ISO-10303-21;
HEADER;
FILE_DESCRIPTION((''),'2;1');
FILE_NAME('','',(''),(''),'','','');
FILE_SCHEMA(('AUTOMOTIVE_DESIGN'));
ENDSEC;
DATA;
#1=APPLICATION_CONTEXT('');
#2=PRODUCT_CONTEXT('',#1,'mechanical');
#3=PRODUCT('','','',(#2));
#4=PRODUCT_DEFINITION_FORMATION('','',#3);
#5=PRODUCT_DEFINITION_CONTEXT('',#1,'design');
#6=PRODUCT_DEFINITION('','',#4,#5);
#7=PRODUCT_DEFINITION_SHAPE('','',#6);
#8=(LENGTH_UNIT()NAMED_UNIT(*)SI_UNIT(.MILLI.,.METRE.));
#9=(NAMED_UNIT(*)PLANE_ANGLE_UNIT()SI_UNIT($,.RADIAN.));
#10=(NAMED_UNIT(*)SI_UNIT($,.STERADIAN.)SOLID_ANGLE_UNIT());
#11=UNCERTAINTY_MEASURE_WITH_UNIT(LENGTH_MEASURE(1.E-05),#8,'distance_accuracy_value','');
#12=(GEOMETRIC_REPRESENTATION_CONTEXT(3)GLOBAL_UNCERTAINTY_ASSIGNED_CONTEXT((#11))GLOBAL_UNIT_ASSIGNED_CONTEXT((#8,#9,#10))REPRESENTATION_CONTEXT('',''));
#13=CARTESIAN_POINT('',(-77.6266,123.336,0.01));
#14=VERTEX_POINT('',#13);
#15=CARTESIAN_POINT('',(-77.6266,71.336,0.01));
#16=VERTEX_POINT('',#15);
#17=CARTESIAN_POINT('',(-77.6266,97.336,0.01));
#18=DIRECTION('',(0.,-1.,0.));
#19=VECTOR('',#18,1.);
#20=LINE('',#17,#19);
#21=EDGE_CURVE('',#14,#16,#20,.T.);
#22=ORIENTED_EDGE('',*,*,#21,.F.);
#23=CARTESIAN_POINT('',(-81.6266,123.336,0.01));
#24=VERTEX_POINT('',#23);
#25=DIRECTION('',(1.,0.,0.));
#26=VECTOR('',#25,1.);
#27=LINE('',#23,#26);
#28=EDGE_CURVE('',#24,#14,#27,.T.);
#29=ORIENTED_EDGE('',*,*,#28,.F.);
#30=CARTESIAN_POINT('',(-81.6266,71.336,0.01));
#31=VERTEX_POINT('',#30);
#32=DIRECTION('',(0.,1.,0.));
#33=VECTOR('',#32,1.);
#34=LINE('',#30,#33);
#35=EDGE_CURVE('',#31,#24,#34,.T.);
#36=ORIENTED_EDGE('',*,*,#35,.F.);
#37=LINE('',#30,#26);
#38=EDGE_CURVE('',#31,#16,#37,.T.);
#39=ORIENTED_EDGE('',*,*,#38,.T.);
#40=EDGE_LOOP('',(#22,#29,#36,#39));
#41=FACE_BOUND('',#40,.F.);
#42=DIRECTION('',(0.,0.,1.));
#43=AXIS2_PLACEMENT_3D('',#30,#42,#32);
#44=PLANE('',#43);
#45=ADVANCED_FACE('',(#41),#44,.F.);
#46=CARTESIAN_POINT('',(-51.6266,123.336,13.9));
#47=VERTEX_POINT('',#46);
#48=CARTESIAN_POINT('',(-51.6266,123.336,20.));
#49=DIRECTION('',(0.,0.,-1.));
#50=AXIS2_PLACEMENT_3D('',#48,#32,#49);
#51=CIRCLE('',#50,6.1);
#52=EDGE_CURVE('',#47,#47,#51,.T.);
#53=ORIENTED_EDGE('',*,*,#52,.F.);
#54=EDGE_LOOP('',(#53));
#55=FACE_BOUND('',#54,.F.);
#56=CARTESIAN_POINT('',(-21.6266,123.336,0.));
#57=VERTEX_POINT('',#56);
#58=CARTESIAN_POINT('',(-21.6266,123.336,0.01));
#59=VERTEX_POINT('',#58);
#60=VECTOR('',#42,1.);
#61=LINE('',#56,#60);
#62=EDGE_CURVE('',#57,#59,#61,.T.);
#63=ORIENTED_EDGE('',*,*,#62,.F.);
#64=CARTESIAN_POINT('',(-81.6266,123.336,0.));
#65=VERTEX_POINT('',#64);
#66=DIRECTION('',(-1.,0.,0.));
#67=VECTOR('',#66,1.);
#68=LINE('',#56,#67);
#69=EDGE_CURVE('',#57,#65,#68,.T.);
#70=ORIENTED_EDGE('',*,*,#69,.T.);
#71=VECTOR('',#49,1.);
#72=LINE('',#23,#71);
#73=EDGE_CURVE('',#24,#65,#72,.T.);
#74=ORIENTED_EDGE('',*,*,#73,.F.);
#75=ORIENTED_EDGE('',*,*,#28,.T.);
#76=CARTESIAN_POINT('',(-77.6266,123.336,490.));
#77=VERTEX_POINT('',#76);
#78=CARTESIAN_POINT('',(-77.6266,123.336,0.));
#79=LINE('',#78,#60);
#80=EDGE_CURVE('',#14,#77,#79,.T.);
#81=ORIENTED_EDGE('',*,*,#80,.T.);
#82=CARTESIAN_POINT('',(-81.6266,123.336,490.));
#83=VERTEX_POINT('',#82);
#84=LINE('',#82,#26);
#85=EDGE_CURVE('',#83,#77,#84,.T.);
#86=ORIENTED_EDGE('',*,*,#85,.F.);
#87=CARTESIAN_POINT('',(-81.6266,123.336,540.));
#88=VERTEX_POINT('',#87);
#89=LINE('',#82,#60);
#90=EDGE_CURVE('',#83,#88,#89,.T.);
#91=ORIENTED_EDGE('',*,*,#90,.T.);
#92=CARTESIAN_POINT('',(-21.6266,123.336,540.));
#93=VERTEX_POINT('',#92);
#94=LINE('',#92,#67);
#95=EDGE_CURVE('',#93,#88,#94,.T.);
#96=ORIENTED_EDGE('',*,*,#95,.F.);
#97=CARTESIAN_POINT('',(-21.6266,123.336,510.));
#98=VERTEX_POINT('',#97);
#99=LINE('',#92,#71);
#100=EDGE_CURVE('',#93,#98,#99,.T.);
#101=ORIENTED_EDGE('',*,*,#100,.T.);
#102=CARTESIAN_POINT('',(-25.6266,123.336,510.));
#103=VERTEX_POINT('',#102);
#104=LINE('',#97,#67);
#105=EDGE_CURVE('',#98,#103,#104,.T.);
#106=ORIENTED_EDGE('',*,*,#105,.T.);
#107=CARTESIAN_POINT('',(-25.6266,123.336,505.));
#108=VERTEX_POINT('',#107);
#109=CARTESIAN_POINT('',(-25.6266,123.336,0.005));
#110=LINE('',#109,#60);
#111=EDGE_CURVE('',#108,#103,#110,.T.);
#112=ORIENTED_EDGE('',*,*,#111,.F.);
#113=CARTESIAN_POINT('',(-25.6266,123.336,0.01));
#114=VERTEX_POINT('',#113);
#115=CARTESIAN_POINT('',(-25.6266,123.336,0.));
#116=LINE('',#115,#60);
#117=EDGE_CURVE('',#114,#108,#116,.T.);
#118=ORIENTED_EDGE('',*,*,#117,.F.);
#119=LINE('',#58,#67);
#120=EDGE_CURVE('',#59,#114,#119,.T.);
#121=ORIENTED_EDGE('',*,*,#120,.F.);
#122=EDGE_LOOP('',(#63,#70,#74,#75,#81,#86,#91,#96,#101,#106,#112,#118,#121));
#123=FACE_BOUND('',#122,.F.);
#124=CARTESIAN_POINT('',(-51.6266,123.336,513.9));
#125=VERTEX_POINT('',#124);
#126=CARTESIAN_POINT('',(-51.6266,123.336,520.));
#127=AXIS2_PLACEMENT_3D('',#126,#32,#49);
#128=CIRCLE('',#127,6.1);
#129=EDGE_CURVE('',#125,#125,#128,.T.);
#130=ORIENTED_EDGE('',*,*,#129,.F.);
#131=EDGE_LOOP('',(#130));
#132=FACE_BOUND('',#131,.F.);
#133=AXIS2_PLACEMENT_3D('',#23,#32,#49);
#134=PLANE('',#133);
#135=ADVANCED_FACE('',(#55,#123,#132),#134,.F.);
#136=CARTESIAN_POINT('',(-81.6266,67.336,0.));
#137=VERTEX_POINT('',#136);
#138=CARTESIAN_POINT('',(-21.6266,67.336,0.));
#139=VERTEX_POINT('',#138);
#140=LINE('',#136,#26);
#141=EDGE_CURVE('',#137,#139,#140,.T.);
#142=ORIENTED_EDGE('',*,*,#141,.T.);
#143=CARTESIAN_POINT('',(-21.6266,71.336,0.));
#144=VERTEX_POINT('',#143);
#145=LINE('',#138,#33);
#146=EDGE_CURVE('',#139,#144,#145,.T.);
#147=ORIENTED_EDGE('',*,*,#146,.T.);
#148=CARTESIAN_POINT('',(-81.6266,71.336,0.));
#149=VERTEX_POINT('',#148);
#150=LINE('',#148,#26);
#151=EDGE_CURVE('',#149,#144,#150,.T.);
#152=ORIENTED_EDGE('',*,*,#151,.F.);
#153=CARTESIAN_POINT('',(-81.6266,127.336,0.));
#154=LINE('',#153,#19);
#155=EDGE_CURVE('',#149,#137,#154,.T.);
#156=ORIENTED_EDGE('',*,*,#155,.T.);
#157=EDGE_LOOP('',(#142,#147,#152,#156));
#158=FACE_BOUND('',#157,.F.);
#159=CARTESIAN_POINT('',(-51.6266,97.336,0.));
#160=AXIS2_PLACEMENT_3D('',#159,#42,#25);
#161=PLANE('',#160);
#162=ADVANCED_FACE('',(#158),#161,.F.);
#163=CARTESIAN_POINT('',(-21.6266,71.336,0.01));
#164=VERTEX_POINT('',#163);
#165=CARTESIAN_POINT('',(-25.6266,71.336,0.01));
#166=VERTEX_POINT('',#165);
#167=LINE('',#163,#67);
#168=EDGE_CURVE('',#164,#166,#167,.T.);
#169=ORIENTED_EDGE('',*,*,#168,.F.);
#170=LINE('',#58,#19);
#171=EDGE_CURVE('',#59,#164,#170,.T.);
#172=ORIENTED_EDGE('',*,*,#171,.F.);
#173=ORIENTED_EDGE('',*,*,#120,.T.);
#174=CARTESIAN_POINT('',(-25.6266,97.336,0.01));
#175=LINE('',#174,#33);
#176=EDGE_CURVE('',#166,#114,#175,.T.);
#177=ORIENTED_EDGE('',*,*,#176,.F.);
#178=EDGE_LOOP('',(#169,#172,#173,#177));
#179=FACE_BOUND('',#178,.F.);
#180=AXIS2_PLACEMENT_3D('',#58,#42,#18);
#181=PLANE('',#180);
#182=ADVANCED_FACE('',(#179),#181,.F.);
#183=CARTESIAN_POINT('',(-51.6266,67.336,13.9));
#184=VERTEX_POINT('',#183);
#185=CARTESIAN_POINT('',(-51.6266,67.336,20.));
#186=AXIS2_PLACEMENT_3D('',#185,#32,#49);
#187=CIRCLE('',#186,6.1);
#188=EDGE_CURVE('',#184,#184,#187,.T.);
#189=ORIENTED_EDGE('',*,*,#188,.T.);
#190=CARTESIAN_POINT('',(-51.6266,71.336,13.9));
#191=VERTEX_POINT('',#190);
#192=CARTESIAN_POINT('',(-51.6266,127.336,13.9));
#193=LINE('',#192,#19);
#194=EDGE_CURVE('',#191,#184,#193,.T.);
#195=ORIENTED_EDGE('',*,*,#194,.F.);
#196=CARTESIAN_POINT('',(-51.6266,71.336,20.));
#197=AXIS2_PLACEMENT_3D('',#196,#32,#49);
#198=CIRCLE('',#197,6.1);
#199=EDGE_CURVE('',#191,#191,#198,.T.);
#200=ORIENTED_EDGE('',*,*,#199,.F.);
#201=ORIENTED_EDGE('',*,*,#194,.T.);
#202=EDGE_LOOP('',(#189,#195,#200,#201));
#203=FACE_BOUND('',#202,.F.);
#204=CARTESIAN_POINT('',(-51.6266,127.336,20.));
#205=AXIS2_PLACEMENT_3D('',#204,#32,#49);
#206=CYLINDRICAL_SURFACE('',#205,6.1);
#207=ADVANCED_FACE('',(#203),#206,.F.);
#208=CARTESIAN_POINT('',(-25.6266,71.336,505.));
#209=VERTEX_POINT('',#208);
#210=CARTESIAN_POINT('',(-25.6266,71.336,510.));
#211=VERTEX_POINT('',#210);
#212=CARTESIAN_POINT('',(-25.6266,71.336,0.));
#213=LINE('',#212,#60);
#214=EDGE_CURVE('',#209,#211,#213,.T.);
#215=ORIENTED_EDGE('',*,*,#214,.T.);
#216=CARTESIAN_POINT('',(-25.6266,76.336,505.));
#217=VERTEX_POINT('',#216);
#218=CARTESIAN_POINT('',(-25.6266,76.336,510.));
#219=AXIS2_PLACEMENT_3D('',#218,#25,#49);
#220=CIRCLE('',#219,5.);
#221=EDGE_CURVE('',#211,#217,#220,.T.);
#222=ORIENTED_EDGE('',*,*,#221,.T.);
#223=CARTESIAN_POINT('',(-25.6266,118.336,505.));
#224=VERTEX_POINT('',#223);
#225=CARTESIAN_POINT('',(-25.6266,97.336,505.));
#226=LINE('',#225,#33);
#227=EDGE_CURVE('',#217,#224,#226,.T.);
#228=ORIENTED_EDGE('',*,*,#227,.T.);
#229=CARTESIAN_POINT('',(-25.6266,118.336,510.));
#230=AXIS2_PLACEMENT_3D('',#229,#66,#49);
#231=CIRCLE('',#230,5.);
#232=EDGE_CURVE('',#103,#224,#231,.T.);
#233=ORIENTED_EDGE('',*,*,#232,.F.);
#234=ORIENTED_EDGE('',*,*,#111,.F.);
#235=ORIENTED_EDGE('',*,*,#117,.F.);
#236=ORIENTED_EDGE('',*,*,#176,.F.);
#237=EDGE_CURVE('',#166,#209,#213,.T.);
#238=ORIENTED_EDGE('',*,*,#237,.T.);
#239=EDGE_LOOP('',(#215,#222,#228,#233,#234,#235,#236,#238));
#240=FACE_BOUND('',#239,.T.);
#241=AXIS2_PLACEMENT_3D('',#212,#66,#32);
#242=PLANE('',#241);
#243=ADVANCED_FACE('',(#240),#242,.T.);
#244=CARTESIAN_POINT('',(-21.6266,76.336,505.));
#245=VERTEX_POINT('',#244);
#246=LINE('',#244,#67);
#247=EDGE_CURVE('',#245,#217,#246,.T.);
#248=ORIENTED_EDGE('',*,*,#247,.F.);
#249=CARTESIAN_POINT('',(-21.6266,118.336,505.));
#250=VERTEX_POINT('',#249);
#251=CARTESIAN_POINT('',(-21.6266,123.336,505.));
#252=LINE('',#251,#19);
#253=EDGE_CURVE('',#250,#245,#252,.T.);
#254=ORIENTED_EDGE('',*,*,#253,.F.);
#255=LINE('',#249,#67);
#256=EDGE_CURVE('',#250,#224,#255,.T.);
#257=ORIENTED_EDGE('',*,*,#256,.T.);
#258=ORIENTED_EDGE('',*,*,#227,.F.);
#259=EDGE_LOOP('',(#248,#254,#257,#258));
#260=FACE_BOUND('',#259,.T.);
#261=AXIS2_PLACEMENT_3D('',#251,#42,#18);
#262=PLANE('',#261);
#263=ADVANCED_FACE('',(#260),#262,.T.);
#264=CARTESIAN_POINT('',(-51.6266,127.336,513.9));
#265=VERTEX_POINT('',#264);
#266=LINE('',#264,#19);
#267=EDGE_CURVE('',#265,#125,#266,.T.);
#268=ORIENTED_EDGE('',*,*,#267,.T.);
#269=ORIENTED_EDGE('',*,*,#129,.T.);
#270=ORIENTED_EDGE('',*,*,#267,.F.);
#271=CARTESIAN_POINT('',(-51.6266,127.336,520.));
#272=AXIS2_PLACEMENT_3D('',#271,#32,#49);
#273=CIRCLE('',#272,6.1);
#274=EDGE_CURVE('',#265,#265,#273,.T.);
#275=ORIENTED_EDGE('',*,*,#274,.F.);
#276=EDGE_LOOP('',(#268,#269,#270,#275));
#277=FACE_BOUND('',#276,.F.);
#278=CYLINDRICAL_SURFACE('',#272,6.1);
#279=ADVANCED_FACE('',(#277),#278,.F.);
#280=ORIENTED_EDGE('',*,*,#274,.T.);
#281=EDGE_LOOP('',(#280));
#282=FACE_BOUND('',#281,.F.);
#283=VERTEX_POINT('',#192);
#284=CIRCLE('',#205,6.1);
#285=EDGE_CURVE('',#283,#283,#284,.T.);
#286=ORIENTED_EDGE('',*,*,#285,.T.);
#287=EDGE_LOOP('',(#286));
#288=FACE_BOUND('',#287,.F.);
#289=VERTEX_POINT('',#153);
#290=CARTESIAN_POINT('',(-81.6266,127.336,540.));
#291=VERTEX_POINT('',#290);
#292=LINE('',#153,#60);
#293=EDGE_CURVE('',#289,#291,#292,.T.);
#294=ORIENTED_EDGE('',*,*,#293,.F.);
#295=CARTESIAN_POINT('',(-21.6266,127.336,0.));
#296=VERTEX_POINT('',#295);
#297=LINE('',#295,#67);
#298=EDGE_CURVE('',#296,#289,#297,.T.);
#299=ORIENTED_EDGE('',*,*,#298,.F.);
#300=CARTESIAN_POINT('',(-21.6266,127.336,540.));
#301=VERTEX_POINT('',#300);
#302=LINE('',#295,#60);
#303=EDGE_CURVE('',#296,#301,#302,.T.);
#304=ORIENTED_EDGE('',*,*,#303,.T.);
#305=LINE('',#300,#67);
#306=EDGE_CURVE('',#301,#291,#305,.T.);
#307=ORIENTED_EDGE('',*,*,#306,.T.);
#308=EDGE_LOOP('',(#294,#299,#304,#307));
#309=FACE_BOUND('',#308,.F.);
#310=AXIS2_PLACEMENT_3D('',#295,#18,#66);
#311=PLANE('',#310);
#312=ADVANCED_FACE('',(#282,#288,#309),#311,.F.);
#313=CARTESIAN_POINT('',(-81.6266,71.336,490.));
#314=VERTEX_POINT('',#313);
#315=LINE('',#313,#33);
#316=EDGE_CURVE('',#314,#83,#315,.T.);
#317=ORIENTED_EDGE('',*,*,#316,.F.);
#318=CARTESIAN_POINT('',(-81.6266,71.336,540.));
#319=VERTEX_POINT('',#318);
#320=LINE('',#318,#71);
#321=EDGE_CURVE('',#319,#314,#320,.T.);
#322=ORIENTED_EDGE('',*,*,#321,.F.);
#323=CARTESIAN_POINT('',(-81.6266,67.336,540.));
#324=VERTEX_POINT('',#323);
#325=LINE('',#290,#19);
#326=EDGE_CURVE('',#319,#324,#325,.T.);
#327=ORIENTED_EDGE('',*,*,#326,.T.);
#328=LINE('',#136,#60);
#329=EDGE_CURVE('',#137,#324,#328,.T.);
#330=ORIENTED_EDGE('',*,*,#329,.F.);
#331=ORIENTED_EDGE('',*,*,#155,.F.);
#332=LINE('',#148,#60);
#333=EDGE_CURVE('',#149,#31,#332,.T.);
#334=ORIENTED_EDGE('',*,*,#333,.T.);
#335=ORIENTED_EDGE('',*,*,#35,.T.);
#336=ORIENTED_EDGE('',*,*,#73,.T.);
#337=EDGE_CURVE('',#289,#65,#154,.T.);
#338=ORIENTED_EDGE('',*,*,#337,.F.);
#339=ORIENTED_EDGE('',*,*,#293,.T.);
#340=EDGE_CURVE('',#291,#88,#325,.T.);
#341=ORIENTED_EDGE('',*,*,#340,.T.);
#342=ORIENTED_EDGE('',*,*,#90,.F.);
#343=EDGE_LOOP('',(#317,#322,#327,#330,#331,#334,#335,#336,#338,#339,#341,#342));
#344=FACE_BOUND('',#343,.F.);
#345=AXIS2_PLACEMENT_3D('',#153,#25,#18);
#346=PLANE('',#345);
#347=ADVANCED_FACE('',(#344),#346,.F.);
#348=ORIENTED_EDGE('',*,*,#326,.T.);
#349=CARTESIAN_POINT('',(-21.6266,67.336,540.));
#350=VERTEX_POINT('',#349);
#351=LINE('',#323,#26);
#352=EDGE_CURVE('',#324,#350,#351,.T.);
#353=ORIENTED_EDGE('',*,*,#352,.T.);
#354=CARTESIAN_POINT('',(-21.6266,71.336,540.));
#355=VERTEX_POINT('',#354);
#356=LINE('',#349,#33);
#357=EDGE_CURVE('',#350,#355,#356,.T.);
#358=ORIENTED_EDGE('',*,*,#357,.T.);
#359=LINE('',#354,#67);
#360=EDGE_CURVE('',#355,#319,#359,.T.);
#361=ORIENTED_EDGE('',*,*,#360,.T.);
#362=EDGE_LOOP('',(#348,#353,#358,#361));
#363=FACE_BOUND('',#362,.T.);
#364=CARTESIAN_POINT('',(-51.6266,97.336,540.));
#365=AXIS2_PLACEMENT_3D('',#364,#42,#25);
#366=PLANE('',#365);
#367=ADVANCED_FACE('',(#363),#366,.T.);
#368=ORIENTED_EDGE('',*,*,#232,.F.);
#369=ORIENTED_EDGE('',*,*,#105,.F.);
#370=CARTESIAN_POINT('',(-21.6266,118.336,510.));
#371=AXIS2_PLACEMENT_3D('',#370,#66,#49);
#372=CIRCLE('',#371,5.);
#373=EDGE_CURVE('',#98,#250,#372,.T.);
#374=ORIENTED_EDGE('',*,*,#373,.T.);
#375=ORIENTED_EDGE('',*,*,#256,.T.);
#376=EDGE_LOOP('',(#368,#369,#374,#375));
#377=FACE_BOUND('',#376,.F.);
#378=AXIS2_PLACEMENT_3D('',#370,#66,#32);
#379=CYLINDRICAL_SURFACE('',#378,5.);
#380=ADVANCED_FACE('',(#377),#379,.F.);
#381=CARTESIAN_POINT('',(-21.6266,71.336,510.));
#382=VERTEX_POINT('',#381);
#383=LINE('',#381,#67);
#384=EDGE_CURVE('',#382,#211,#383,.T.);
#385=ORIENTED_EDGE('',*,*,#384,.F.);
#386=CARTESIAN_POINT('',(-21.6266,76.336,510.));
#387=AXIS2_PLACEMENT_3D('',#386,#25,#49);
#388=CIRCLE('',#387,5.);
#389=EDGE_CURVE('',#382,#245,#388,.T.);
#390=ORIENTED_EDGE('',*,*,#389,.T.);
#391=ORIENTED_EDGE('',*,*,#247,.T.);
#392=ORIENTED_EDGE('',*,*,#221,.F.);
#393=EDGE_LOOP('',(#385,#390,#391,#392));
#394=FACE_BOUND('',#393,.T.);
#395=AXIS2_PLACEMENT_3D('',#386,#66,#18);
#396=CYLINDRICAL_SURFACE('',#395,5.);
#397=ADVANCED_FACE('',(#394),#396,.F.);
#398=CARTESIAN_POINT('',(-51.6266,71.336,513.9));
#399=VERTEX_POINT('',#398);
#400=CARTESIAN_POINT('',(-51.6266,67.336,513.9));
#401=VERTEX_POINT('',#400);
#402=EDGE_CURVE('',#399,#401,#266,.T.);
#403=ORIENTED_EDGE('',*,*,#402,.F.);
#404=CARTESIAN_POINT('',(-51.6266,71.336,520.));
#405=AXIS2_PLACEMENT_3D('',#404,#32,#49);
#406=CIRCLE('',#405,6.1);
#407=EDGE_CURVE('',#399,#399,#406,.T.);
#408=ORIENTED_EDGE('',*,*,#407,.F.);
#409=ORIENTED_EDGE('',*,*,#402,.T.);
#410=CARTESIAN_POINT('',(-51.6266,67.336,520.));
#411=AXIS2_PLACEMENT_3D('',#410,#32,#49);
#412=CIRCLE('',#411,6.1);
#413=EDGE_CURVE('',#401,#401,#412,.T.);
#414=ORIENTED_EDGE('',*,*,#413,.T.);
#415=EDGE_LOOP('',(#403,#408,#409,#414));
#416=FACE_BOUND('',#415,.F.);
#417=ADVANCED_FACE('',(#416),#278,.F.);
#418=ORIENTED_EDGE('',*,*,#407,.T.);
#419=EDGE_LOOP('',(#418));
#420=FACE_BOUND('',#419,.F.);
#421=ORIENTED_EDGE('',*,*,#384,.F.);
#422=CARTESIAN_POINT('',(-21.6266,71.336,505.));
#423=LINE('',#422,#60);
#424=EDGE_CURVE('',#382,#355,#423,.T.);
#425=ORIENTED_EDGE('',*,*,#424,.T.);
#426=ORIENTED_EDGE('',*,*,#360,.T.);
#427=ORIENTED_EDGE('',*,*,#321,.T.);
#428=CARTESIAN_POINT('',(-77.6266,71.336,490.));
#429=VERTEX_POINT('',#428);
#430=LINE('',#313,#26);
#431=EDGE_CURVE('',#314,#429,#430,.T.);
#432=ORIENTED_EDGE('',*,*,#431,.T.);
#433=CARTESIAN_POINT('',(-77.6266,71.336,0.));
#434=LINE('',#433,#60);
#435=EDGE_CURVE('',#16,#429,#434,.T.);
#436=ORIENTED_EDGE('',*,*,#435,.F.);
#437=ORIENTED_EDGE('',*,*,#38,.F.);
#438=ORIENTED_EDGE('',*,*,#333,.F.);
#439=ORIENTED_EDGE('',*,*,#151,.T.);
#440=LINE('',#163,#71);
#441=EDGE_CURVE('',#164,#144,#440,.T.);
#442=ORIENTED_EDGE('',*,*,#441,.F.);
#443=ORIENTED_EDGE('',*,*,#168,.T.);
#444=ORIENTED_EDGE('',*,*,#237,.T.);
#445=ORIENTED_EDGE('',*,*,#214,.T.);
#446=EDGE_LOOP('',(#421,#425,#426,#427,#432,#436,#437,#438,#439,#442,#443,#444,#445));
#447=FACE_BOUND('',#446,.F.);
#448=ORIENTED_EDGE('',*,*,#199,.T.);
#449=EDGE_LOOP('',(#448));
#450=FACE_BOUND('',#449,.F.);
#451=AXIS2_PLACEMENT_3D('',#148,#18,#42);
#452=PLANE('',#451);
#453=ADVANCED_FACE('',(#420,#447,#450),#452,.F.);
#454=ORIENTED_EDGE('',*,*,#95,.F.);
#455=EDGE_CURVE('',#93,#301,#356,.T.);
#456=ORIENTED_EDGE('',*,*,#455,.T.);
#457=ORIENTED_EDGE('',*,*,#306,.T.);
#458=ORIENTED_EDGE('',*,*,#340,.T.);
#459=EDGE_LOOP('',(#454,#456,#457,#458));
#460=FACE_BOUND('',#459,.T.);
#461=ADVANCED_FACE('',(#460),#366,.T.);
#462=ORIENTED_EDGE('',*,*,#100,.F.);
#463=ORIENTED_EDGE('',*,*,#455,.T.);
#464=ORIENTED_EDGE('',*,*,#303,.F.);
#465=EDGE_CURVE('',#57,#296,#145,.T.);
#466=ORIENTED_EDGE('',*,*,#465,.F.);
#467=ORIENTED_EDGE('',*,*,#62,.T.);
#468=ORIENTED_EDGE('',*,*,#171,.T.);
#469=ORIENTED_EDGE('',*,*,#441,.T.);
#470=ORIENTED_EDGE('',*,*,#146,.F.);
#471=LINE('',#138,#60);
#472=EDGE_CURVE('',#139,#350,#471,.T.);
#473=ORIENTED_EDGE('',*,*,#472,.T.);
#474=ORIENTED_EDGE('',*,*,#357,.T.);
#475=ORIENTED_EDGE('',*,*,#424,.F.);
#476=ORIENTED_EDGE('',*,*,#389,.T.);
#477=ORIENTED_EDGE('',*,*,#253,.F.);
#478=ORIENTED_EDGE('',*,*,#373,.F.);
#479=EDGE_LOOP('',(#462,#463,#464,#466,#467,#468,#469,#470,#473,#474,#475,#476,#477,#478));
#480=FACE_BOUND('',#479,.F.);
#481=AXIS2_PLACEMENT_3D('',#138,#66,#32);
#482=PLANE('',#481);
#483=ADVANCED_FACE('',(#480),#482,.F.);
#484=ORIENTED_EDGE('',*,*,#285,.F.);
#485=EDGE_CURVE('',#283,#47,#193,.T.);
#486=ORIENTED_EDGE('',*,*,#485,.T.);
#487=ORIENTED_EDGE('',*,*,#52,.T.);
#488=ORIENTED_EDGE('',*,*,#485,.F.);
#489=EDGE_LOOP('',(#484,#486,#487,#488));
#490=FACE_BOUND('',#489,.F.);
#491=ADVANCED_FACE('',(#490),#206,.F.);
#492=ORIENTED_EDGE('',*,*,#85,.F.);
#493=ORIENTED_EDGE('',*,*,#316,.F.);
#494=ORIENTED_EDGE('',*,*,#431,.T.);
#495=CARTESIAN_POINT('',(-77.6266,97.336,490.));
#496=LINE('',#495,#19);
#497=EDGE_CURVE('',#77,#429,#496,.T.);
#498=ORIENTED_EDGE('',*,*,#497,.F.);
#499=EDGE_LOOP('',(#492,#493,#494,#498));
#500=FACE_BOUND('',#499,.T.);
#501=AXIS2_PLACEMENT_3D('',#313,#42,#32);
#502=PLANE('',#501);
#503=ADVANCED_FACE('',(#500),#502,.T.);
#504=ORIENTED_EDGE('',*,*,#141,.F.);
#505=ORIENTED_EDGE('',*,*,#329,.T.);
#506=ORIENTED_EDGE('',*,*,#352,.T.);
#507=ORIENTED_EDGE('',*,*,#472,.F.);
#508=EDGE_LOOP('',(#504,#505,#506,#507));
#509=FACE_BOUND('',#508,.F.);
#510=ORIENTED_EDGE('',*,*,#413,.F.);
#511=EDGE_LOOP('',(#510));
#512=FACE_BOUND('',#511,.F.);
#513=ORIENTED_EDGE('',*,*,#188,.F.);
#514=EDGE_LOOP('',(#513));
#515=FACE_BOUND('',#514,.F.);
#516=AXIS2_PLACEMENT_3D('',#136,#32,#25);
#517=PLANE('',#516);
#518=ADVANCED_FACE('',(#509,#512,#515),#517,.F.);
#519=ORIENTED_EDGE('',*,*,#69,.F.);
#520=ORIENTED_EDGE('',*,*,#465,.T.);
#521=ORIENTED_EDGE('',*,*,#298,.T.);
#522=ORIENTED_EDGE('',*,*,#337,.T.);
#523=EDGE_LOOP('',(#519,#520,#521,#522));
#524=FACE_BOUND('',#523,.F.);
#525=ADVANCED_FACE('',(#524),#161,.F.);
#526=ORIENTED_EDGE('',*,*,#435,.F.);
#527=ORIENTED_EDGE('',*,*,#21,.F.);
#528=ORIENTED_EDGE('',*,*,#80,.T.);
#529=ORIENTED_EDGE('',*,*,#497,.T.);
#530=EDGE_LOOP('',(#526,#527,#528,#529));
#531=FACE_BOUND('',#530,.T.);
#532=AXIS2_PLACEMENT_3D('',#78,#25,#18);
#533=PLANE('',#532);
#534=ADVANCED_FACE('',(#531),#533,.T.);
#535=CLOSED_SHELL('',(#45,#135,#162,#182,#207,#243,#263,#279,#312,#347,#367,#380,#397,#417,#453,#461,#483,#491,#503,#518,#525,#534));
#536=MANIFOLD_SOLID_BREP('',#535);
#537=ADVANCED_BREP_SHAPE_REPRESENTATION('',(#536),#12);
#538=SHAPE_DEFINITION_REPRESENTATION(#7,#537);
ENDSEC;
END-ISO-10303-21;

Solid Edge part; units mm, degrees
sketch "Sketch1" plane through (0, 0, 0) normal (0, 0, 1) x (1, 0, 0)
  line L0 (-81.6266, 67.336) -> (-21.6266, 67.336)
  line L1 (-21.6266, 67.336) -> (-21.6266, 127.336)
  line L2 (-21.6266, 127.336) -> (-81.6266, 127.336)
  line L3 (-81.6266, 127.336) -> (-81.6266, 67.336)
  line L4 (-77.6266, 71.336) -> (-25.6266, 71.336)
  line L5 (-25.6266, 71.336) -> (-25.6266, 123.336)
  line L6 (-25.6266, 123.336) -> (-77.6266, 123.336)
  line L7 (-77.6266, 123.336) -> (-77.6266, 71.336)
  dimension "D1" = 21.6266
  dimension "D2" = 81.6266
extrude "Protrusion1" add sketch "Sketch1" along normal blind 540
sketch "Sketch2" plane through (-56.6266, 127.336, 367.5) normal (0, 1, 0) x (0, 0, -1)
  circle A0 centre (347.5, -5) radius 6.1
  circle A1 centre (-152.5, -5) radius 6.1
extrude "Cutout1" cut sketch "Sketch2" against normal through all
sketch "Sketch3" plane through (-21.6266, 92.336, 367.5) normal (1, 0, 0) x (0, 0, -1)
  line L0 (367.49, -21) -> (367.5, -21)
  line L1 (367.5, -21) -> (367.5, 31)
  line L2 (367.5, 31) -> (367.49, 31)
  line L3 (367.49, 31) -> (367.49, -21)
  line L4 (-172.5, 31) -> (-137.5, 31)
  line L5 (-137.5, 31) -> (-137.5, -21)
  line L6 (-137.5, -21) -> (-172.5, -21)
  line L7 (-172.5, -21) -> (-172.5, 31)
  dimension "D1" = 172.5
  dimension "D2" = 137.5
  dimension "D3" = 367.49
  dimension "D4" = 367.49
extrude "Cutout2" cut sketch "Sketch3" against normal blind 5
sketch "Sketch4" plane through (-81.6266, 92.336, 367.5) normal (-1, 0, 0) x (0, 0, -1)
  line L0 (367.49, -31) -> (367.5, -31)
  line L1 (367.5, -31) -> (367.5, 21)
  line L2 (367.5, 21) -> (367.49, 21)
  line L3 (367.49, 21) -> (367.49, -31)
  line L4 (-172.5, 21) -> (-122.5, 21)
  line L5 (-122.5, 21) -> (-122.5, -31)
  line L6 (-122.5, -31) -> (-172.5, -31)
  line L7 (-172.5, -31) -> (-172.5, 21)
  dimension "D1" = 172.5
  dimension "D2" = 122.5
  dimension "D3" = 367.5
  dimension "D4" = 367.49
extrude "ExtrudedCutout_3" cut sketch "Sketch4" against normal blind 5
extrude "Cutout3" [suppressed]
fillet "Round1" radius 5 2 edges at (-23.6266, 123.336, 505) (-23.6266, 71.336, 505)
properties material "Aluminum, 6061-T6"
